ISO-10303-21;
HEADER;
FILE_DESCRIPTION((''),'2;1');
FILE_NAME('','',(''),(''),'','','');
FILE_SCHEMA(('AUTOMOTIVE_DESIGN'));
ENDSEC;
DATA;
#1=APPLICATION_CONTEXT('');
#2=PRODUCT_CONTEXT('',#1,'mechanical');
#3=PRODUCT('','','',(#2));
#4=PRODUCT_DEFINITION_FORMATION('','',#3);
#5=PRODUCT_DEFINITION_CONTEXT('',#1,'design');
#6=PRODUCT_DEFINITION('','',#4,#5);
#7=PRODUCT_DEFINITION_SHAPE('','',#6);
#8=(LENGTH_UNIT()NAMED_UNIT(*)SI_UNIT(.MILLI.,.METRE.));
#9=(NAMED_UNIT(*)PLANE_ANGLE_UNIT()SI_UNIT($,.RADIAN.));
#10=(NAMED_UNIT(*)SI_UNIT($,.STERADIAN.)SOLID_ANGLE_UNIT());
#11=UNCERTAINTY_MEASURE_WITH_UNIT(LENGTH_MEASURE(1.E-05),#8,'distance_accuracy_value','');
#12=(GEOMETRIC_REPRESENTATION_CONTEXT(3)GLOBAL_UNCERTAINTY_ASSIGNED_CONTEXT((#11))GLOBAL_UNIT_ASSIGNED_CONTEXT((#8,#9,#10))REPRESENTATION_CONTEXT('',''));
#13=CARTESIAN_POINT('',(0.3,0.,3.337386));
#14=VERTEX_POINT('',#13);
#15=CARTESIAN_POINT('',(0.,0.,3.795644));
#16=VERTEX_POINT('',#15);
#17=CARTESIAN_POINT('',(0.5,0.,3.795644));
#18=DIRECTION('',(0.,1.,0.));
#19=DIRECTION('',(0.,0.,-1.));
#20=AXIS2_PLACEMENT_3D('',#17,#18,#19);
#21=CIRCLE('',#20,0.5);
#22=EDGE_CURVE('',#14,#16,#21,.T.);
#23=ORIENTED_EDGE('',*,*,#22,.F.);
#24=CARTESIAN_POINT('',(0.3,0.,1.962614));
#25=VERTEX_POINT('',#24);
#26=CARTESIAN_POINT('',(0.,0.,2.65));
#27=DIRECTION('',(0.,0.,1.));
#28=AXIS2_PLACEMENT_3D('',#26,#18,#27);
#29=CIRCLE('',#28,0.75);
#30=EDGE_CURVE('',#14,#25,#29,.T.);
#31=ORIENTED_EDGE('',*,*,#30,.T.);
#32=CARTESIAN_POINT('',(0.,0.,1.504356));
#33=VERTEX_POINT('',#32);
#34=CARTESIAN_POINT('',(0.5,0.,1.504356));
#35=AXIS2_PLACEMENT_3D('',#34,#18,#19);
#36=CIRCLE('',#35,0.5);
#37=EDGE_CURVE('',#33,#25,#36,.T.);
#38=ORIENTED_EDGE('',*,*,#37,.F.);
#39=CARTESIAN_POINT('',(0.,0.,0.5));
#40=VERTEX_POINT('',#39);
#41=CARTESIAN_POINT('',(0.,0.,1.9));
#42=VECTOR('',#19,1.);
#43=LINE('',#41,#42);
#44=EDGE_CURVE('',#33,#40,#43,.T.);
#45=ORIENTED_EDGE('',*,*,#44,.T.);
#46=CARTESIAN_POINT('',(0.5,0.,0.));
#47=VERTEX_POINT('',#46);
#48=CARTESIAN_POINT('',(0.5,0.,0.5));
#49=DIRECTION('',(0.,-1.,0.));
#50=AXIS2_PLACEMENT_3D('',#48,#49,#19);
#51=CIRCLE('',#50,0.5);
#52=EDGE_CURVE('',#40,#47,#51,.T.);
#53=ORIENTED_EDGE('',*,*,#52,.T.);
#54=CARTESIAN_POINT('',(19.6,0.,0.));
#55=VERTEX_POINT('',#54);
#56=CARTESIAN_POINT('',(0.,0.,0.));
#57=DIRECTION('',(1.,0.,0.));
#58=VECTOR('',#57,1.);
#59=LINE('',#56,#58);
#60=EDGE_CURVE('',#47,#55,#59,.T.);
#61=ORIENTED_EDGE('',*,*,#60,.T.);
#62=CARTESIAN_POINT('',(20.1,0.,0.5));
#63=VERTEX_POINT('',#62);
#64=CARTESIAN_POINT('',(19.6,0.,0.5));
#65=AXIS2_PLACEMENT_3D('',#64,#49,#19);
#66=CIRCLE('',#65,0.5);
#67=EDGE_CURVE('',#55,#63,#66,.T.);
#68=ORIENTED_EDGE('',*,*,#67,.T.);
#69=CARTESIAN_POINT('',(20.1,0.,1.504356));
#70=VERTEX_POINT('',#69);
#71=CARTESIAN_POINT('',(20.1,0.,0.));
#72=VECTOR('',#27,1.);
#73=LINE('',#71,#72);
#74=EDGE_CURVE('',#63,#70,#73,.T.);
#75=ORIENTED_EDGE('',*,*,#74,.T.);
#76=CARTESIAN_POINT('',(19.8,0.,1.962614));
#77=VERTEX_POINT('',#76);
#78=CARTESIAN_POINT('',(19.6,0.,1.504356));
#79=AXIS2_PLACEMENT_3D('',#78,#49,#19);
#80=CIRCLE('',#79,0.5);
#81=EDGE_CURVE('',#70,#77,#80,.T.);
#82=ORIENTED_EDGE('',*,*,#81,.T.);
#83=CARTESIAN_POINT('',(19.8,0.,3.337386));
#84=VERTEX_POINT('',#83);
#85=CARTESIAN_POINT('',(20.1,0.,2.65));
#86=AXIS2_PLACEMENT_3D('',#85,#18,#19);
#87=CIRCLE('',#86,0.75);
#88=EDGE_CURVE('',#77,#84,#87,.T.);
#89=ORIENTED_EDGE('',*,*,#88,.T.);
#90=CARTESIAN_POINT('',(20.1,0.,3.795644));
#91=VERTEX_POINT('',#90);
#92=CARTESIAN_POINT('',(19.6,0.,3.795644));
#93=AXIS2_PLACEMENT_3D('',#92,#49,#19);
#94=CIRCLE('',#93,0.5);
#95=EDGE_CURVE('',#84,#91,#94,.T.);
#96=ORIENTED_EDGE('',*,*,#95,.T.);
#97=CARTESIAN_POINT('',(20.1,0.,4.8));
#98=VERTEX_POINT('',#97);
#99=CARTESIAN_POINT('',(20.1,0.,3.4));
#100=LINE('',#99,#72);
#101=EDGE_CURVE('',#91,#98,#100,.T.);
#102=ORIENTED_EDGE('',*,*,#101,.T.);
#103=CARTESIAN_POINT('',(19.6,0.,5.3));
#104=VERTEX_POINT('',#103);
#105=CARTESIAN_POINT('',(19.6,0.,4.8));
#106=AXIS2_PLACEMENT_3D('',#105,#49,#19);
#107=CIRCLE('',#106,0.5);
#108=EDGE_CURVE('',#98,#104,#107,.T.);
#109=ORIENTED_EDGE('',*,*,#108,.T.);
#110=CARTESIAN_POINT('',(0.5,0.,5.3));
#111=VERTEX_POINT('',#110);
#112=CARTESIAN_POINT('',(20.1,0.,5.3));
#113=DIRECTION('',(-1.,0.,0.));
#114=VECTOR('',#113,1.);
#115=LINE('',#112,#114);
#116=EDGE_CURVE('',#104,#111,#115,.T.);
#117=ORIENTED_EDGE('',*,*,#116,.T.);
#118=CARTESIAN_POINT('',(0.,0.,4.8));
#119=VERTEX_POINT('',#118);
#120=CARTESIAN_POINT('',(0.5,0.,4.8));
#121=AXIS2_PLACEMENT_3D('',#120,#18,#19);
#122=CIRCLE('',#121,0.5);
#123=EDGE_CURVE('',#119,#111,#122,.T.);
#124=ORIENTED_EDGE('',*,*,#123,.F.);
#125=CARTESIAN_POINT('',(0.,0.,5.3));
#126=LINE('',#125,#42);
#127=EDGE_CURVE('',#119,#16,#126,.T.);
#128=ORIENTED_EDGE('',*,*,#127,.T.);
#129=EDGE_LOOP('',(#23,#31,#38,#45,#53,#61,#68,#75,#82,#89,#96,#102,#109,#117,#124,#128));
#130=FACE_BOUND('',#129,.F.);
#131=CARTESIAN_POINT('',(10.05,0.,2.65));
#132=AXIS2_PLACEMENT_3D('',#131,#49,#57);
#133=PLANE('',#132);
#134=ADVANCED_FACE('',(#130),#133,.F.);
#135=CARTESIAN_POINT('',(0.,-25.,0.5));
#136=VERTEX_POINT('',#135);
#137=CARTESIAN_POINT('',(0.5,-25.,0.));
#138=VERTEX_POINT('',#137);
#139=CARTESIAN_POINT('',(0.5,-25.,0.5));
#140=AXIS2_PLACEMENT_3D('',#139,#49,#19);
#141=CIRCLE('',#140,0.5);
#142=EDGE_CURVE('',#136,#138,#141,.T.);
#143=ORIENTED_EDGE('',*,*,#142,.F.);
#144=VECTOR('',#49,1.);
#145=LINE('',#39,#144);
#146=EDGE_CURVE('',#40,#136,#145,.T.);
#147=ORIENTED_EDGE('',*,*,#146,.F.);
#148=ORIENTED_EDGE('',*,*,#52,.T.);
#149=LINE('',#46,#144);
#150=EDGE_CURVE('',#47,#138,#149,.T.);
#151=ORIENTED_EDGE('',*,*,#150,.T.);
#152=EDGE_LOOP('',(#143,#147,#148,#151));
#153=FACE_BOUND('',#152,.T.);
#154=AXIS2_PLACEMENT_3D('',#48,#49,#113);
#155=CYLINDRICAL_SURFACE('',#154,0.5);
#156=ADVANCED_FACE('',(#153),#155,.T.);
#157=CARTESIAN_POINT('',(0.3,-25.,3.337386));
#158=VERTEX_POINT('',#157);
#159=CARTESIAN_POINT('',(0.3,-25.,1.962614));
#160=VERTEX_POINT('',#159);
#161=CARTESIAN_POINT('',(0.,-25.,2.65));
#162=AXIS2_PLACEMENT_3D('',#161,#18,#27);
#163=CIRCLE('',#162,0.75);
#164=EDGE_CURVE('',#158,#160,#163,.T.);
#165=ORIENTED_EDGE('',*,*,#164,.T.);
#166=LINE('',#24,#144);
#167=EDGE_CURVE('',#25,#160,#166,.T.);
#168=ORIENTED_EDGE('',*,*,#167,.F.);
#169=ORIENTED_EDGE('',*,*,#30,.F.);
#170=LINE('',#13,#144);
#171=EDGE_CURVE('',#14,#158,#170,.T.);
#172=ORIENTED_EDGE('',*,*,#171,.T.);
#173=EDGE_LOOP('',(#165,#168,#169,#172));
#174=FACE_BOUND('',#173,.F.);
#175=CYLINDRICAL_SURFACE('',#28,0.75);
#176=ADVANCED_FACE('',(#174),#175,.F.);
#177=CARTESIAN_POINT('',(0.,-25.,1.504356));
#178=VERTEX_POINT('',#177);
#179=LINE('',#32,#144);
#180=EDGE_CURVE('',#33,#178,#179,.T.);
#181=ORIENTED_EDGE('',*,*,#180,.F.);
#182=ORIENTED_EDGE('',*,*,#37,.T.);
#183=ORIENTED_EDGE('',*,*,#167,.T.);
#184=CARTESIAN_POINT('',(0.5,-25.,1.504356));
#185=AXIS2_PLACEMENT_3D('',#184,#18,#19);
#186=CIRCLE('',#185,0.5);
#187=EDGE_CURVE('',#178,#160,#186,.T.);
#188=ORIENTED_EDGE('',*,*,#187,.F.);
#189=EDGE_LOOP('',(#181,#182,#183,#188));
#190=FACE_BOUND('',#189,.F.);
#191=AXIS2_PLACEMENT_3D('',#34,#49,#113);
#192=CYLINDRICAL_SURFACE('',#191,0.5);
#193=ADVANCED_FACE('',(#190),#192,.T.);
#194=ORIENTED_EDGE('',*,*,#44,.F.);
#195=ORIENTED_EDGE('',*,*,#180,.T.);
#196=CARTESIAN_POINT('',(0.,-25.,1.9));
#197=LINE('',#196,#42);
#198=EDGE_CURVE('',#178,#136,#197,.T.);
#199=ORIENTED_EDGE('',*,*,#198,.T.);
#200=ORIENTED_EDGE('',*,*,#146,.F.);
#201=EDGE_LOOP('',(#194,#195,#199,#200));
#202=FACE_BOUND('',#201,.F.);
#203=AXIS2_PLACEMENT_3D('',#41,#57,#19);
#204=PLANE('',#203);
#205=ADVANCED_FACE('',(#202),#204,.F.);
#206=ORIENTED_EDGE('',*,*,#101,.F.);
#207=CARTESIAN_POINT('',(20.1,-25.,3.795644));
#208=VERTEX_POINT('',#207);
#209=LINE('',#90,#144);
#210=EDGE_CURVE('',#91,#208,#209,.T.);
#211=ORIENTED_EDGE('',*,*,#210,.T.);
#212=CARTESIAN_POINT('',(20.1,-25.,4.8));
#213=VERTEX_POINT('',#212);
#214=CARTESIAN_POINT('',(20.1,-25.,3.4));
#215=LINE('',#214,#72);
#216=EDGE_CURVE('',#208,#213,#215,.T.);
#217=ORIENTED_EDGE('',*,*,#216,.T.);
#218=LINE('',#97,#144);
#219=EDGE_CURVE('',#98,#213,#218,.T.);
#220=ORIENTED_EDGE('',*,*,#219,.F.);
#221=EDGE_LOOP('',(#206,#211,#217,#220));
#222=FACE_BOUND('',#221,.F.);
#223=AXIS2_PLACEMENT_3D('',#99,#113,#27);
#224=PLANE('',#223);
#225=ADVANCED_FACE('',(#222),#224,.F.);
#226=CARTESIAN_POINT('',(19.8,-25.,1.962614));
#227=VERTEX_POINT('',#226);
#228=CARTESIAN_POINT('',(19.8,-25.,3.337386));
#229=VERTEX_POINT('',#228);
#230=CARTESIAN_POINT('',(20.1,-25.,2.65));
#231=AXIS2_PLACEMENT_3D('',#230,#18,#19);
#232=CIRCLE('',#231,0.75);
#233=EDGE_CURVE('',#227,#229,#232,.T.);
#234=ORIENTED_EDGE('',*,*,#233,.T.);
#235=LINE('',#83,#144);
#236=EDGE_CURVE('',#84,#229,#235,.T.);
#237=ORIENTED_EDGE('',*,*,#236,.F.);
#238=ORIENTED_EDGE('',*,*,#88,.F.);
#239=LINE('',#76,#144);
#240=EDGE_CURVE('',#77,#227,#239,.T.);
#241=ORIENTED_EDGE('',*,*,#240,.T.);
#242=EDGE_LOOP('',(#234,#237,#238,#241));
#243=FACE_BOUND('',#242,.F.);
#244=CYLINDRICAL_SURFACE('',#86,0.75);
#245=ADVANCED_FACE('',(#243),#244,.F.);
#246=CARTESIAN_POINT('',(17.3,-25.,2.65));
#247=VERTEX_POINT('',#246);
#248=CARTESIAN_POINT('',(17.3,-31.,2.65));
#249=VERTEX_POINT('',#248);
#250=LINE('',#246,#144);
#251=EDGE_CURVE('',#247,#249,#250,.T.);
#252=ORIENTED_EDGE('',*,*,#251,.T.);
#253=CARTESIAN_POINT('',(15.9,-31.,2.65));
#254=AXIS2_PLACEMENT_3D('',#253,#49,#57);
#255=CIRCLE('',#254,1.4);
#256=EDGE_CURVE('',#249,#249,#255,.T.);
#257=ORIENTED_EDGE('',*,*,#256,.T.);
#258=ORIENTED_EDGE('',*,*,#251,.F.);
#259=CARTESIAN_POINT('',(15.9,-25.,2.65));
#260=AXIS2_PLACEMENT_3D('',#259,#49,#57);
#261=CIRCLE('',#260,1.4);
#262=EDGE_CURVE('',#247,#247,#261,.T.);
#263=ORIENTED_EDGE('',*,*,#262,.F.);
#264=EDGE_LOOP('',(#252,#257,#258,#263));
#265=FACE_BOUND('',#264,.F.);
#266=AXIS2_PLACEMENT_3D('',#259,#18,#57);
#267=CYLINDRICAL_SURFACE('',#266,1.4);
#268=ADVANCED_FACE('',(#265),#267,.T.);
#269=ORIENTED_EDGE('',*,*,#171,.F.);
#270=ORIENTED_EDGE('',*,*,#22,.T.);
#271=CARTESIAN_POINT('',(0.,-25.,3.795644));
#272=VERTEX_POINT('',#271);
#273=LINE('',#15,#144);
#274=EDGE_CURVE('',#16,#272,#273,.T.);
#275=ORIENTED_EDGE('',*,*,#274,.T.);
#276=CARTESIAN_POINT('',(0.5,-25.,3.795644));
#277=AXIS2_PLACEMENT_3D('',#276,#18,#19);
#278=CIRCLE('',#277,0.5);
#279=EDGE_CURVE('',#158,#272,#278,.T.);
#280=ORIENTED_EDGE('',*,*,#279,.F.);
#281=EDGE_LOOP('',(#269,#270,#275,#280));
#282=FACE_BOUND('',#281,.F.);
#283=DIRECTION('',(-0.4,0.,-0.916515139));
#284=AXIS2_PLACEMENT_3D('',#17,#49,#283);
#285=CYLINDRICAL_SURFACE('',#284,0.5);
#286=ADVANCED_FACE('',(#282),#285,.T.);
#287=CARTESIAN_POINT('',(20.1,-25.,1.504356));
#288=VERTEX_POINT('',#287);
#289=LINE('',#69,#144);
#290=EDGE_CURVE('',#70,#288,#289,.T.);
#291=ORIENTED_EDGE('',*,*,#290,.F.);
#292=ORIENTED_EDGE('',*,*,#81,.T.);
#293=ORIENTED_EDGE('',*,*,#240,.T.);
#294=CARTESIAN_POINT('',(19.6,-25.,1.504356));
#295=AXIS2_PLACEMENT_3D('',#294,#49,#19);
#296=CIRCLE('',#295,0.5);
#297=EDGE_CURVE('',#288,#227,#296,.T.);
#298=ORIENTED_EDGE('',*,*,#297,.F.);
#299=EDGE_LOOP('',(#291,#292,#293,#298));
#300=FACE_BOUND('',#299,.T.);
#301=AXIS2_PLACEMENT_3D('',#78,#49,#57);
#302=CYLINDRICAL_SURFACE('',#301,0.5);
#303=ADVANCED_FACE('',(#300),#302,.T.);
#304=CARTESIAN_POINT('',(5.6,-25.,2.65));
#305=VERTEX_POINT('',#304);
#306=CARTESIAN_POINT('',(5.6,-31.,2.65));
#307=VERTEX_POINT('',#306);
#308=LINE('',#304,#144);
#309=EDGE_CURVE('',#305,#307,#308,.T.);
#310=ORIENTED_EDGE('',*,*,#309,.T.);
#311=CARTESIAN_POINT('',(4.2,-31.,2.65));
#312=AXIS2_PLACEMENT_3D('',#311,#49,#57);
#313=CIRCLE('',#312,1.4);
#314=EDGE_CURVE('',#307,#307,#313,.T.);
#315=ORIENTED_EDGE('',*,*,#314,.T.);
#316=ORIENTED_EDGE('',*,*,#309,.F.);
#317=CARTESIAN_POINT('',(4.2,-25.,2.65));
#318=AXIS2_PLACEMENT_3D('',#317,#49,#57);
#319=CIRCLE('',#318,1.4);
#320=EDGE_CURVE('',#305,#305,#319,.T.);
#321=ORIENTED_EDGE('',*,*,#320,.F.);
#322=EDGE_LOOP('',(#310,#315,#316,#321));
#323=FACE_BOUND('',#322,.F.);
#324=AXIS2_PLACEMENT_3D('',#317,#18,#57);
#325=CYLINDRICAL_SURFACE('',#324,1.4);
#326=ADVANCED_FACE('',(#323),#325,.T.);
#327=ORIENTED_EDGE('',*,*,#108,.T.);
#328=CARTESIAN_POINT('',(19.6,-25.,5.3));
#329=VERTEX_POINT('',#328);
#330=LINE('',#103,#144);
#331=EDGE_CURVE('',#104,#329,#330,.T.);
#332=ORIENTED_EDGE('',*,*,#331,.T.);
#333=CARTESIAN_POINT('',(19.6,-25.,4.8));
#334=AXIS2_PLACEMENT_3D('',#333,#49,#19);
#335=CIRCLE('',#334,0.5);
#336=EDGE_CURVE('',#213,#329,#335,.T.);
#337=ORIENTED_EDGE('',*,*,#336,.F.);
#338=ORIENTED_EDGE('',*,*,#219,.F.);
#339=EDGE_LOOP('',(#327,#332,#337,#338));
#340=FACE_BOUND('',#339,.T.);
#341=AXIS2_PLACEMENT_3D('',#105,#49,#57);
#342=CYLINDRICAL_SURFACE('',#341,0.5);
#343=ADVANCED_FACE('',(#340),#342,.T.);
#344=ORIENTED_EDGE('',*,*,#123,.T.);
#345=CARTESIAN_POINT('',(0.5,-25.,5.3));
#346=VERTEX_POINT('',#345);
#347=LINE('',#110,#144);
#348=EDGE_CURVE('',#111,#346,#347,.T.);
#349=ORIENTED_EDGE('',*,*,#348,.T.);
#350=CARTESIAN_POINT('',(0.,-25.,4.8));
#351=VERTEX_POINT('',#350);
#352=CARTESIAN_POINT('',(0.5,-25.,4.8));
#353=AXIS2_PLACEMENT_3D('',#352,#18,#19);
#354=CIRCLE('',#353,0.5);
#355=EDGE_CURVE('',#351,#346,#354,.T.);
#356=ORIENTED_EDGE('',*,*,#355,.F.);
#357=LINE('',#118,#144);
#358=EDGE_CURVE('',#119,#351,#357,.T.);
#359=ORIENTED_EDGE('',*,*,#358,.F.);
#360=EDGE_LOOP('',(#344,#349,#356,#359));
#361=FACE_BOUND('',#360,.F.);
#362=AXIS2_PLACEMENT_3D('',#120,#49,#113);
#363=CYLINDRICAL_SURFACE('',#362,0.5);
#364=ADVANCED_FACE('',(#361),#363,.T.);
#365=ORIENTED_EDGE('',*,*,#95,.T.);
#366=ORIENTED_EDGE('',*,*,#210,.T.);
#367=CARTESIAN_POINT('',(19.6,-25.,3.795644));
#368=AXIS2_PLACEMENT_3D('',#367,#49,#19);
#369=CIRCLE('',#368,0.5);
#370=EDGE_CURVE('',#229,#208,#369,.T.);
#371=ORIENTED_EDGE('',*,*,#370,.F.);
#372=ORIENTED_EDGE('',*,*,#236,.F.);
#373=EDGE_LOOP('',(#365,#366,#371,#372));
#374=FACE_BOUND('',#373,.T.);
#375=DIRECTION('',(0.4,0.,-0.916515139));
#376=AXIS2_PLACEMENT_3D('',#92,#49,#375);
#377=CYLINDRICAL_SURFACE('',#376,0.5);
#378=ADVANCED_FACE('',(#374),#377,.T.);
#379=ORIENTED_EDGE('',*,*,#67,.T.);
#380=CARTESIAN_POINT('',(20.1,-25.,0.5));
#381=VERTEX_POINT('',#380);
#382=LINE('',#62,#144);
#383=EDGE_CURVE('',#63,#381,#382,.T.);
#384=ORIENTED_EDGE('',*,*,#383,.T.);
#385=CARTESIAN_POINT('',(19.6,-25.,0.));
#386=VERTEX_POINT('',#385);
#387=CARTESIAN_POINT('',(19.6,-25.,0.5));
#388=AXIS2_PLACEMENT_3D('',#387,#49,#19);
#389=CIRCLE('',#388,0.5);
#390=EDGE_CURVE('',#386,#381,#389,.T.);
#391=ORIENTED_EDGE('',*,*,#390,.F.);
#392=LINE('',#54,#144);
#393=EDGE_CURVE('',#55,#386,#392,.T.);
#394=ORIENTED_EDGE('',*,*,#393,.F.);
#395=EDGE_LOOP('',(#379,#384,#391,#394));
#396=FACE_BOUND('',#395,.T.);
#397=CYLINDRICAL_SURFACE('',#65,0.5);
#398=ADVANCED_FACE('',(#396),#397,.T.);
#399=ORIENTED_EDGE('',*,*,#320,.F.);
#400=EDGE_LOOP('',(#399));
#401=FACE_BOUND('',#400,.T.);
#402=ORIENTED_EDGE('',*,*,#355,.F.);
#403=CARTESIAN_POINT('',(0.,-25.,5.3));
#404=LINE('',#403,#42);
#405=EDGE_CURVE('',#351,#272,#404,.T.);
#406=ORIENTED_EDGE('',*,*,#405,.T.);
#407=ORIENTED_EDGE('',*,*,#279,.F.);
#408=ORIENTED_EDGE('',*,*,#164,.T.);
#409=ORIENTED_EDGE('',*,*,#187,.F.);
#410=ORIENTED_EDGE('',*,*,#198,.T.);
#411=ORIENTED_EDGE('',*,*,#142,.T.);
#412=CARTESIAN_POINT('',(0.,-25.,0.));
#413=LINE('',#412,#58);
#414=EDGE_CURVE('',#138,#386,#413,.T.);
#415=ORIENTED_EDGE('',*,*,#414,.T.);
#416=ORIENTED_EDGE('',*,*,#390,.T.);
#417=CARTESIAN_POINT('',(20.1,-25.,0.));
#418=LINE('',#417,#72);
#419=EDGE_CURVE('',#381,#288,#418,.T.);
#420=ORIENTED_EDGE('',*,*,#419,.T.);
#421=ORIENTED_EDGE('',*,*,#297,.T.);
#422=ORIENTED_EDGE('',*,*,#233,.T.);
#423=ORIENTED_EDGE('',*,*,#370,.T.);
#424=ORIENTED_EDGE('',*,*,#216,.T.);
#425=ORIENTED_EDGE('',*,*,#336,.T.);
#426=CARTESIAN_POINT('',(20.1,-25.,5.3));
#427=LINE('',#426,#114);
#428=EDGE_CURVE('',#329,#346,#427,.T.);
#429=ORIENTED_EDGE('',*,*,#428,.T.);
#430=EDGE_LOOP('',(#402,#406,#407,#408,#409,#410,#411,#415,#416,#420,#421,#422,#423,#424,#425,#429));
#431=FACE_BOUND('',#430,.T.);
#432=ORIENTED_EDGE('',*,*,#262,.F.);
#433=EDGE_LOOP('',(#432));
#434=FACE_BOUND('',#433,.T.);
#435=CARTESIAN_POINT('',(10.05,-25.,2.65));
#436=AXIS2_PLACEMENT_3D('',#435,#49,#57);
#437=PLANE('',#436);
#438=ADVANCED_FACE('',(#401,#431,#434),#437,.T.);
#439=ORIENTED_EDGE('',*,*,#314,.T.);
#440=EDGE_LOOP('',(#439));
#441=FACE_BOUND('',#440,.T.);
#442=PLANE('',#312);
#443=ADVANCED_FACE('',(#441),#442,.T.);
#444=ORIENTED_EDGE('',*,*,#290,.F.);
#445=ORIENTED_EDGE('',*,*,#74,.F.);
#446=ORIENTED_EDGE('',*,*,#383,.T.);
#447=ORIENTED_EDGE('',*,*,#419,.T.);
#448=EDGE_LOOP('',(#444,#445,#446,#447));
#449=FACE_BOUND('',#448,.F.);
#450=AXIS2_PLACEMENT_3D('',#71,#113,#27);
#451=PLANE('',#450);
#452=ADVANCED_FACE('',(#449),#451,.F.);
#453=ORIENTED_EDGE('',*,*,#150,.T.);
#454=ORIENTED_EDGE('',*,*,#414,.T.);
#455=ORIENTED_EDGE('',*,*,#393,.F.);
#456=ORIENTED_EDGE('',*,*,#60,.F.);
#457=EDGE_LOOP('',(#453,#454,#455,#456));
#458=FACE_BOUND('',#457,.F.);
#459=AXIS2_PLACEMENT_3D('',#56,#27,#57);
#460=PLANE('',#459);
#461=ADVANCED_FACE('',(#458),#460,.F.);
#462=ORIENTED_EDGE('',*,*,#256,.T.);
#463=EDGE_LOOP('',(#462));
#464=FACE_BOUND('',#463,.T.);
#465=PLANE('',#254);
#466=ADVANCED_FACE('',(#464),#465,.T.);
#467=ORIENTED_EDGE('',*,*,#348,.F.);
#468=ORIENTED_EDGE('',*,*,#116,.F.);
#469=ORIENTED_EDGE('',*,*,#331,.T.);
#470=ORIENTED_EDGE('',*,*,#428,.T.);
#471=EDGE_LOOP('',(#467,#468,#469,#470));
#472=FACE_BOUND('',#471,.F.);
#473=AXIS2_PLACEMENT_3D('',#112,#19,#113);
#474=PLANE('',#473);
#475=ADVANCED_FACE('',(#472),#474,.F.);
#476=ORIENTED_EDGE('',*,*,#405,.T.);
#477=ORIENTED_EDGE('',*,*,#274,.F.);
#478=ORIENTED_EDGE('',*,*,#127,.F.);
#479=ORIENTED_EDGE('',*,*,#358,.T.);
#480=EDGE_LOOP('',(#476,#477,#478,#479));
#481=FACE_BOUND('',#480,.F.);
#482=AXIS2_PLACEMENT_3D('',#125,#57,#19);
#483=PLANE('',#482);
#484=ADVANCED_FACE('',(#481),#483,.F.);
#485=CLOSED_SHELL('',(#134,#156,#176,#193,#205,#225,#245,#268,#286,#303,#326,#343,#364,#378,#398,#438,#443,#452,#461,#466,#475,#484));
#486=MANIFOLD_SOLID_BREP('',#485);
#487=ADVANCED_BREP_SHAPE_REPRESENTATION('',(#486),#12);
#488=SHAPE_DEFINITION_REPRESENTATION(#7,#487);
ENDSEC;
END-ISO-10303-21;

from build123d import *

# Parameters (mm, degrees)
F1_DEPTH = 25
F2_R     = 1.4
F3_DEPTH = 6
F4_R     = 0.5


with BuildPart() as f1:
    # F0 (on Front) → F1 (new body)
    with BuildSketch(Plane.XZ):
        with BuildLine():
            Line((0, 1.9), (0, 0))
            Line((0, 0), (20.1, 0))
            Line((20.1, 0), (20.1, 1.9))
            ThreePointArc((20.1, 1.9), (19.35, 2.65), (20.1, 3.4))
            Line((20.1, 3.4), (20.1, 5.3))
            Line((20.1, 5.3), (0, 5.3))
            Line((0, 5.3), (0, 3.4))
            ThreePointArc((0, 3.4), (0.75, 2.65), (0, 1.9))
        make_face()
    extrude(amount=F1_DEPTH)

    # F2 (on face) → F3 (join)
    with BuildSketch(Plane.XZ.offset(25)):
        with Locations((4.2, 2.65)):
            Circle(F2_R)
        with Locations((15.9, 2.65)):
            Circle(F2_R)
    extrude(amount=F3_DEPTH)

    # F4
    f4_edges = [f1.edges().sort_by_distance(p)[0] for p in [
        (20.1, -12.5, 5.3),
        (20.1, -12.5, 3.4),
        (20.1, -12.5, 1.9),
        (20.1, -12.5, 0),
        (0, -12.5, 5.3),
        (0, -12.5, 0),
        (0, -12.5, 1.9),
        (0, -12.5, 3.4),
    ]]
    fillet(f4_edges, radius=F4_R)


solid = f1.part
